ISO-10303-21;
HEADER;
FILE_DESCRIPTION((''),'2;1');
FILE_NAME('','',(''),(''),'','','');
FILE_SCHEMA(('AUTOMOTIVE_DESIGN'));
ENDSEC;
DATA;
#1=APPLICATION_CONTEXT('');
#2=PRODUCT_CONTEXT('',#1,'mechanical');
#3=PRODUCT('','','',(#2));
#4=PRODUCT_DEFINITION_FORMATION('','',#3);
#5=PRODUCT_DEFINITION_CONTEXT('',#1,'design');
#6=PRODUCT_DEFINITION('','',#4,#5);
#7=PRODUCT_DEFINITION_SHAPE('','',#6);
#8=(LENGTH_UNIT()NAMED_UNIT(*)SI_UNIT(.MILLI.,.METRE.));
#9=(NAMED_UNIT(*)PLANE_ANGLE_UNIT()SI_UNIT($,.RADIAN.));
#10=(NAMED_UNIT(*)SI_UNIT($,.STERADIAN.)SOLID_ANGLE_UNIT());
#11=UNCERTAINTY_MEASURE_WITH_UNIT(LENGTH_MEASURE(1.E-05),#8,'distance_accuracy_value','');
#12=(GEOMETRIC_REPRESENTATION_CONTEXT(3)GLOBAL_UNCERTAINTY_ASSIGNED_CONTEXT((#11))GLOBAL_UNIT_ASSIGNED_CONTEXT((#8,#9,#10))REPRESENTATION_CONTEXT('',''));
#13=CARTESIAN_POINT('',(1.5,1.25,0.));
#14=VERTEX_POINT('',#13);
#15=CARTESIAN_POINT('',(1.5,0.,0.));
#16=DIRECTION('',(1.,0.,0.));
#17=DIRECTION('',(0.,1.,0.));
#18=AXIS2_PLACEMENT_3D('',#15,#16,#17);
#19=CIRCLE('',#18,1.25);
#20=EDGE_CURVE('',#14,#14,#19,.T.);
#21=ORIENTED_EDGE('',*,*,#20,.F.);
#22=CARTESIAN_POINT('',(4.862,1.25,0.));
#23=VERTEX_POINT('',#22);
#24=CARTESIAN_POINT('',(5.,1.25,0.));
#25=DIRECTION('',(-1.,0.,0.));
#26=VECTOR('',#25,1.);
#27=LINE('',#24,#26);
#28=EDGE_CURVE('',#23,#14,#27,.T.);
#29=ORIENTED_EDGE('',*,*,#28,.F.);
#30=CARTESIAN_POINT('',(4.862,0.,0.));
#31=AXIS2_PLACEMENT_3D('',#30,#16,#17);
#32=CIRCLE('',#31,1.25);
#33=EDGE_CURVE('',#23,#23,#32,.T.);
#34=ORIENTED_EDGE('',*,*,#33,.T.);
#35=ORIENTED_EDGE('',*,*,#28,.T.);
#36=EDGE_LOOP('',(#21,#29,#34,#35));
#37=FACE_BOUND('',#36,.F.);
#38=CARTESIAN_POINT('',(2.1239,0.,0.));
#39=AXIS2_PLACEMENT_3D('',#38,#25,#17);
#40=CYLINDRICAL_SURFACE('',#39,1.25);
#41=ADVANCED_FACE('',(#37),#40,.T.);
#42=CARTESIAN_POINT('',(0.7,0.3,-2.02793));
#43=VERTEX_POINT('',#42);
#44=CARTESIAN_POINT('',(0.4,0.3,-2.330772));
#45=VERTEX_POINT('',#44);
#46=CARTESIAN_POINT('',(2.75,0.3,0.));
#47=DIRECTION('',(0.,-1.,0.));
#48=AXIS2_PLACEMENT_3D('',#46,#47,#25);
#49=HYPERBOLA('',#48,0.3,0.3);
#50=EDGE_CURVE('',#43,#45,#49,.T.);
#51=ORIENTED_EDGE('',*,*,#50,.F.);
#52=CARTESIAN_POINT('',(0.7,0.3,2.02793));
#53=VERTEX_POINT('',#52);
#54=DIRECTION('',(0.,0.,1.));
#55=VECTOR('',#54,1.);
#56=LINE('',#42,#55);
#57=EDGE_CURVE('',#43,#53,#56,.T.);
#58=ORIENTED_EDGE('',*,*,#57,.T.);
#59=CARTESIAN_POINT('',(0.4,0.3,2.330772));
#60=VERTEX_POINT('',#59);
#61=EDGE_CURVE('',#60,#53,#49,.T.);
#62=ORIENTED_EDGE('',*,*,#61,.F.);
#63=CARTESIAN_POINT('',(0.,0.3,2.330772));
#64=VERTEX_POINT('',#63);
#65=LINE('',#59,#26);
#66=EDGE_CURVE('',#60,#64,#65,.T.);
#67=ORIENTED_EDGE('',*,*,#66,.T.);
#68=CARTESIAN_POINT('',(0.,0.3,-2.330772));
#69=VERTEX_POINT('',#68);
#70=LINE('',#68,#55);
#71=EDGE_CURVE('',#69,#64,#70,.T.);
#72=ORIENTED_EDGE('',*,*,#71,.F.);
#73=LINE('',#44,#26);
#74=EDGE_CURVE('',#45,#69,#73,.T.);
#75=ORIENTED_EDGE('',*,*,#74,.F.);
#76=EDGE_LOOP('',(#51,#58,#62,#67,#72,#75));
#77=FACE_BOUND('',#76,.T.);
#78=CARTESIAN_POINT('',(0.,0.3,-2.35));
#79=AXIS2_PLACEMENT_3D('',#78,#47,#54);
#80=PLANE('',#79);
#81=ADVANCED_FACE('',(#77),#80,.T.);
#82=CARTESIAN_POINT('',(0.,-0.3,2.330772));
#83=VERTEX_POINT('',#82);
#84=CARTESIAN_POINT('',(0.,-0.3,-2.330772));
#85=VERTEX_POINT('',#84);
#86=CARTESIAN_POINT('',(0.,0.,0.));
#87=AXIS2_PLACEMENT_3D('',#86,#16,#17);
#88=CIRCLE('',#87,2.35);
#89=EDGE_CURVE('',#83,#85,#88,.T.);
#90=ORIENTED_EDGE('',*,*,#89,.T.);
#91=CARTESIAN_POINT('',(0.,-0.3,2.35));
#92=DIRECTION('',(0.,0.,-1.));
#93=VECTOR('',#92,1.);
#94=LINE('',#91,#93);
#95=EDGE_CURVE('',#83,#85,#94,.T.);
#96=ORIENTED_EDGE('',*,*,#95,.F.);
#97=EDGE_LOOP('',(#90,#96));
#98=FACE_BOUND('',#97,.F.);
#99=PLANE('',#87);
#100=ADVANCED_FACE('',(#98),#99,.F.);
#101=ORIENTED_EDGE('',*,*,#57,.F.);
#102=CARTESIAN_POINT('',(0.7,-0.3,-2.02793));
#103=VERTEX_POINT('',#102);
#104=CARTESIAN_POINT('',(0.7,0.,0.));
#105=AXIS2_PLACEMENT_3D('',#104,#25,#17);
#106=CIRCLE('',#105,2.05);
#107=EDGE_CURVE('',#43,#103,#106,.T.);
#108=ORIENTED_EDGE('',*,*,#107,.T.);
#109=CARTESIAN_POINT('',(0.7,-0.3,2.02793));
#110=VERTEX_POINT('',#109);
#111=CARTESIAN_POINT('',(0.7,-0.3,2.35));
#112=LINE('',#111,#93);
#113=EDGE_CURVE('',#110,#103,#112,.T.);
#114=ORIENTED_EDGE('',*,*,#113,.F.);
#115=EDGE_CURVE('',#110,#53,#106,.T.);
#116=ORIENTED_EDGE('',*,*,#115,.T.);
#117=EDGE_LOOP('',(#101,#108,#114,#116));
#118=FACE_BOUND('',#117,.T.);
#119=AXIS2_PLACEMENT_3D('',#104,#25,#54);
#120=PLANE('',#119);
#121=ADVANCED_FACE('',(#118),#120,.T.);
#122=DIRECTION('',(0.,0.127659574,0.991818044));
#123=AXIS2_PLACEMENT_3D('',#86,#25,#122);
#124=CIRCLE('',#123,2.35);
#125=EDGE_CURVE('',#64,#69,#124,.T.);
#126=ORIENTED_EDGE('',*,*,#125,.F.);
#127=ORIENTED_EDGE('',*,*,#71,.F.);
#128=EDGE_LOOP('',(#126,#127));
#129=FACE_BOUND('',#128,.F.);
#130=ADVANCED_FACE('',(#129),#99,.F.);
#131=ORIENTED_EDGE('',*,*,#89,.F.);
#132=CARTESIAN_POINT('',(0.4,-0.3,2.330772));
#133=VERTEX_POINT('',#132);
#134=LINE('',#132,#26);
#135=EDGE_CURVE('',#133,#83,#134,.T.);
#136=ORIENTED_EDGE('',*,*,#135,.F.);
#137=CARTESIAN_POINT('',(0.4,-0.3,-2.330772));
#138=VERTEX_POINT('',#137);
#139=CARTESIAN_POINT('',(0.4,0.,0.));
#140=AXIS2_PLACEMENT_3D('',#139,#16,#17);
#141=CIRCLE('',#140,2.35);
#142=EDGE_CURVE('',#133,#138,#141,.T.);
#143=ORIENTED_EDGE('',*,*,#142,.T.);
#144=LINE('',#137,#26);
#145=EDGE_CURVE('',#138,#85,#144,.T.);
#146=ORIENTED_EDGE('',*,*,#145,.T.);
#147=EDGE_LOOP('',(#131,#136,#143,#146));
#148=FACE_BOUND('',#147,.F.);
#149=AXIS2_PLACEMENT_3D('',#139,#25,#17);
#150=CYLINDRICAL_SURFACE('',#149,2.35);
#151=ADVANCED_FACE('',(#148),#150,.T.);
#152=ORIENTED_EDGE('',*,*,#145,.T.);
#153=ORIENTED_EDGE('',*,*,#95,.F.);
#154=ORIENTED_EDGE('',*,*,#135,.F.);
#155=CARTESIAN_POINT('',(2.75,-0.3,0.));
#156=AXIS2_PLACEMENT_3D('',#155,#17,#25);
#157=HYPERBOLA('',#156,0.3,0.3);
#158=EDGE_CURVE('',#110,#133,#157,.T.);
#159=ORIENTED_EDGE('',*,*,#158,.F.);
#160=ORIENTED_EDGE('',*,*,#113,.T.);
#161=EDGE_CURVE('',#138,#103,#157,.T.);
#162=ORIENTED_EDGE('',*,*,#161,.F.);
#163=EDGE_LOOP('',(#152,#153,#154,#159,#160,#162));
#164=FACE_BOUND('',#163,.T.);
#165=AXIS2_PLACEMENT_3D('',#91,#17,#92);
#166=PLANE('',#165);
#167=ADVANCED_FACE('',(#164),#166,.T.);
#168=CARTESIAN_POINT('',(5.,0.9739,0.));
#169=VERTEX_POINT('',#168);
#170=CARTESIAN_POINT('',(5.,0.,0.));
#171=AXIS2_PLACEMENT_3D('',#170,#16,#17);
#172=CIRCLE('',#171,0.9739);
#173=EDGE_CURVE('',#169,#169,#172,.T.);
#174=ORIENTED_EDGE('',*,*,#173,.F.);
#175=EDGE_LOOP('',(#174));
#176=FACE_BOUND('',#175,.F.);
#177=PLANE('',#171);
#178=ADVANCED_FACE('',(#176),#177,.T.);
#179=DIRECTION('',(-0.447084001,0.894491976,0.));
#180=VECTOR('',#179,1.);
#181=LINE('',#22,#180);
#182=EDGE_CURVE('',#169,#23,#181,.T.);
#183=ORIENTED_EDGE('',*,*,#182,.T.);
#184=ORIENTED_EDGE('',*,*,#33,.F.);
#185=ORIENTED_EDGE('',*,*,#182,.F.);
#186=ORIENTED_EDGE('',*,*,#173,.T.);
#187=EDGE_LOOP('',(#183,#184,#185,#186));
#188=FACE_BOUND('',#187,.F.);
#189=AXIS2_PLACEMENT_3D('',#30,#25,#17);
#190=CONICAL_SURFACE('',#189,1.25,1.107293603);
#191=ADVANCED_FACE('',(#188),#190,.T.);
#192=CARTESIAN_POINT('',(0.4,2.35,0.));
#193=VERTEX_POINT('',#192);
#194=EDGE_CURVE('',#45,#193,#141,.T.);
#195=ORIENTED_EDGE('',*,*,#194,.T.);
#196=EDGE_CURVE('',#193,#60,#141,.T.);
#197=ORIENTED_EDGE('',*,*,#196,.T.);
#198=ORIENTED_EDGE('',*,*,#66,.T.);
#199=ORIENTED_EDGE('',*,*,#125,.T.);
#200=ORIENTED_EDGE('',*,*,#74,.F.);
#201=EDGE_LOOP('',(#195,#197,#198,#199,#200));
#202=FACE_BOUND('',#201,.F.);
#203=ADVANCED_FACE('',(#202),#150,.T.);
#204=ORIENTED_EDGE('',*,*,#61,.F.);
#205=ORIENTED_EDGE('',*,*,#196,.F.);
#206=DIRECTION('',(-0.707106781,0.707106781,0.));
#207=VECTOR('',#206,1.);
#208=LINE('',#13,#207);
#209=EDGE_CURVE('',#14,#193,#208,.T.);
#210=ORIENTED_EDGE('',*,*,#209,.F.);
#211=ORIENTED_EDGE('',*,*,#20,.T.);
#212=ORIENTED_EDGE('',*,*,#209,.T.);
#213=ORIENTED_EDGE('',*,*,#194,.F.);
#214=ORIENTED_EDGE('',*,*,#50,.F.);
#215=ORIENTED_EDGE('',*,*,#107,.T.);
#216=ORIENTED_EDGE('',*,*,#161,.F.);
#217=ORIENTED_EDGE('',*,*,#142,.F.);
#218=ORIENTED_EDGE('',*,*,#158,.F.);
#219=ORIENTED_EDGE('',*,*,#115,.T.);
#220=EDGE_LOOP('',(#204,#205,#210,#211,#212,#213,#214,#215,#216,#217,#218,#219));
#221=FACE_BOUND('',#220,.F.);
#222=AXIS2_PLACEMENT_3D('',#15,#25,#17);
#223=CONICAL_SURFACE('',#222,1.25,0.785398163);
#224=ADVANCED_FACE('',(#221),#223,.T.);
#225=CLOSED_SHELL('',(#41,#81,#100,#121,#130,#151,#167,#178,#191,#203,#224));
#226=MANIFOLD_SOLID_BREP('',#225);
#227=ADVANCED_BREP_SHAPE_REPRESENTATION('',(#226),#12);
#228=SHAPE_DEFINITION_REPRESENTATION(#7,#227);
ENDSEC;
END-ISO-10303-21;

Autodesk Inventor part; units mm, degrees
ref_plane "YZ Plane" through (0, 0, 0) normal (1, 0, 0) x (0, 1, 0)
ref_plane "XZ Plane" through (0, 0, 0) normal (0, 1, 0) x (-1, 0, 0)
sketch "Skizze1" plane through (0, 0, 0) normal (0, 0, 1) x (1, 0, 0)
  line L0 (0, 0) -> (5, 0)
  line L1 (5, 0) -> (5, 1.25)
  line L2 (5, 1.25) -> (2.4, 1.25)
  line L3 (2.4, 1.25) -> (2.1239, 1.25)
  line L4 (2.1239, 1.25) -> (1.5, 1.25)
  line L5 (1.5, 1.25) -> (0.4, 2.35)
  line L6 (0.4, 2.35) -> (0, 2.35)
  line L7 (0, 2.35) -> (0, 0)
  line L8 (2.4, 1.25) -> (1.5, 1.25) construction
  line L9 (-1, 0) -> (6, 0) projected
  line L10 (0, 2.82) -> (0, -0.47) projected
  dimension "d0" = 5
  dimension "d1" = 45
  dimension "d2" = 0.2761
  dimension "d3" = 2.6
  dimension "d4" = 1.5
  dimension "d5" = 2.5
  dimension "d6" = 2.5
  dimension "d7" = 4.7
revolve "Körper" add sketch "Skizze1" angle 360 about axis through (0, 0, 0) along (1, 0, 0)
sketch "Skizze2" plane through (0, 0, 0) normal (-1, 0, 0) x (0, 0, 1)
  line L0 (2.35, -0.3) -> (-2.35, -0.3)
  line L1 (-2.35, -0.3) -> (-2.35, 0.3)
  line L2 (-2.35, 0.3) -> (2.35, 0.3)
  line L3 (2.35, 0.3) -> (2.35, -0.3)
  line L4 (0, 0.3) -> (0, -0.3) construction
  line L5 (-2.35, 0) -> (2.35, 0) construction
  line L6 (0, 2.35) -> (0, 0) projected
  dimension "d15" = 0.6
  dimension "d16" = 4.7
extrude "Loch" cut sketch "Skizze2" against normal blind 0.7
thread "Gewinde" size "M2.5x0.45" class "6g" standard "ISO Metric profile" length 2.6
chamfer "Fase1" distance 0.2761 distance2 0.138 1 edges at (5, -1.25, 0) measured on face at (5, -0.3689, 0.4922)
ref_plane "Work Plane1" through (33.575, 0, 0) normal (0, 0, -1) x (1, 0, 0)
equation "\"d0\" = NLG"
equation "\"d1\" = 0.5 * SEWI"
equation "\"d2\" = GAL"
equation "\"d3\" = GEL"
equation "\"d4\" = KOH"
equation "\"d5\" = BDM"
equation "\"d6\" = GD"
equation "\"d7\" = KOD"
equation "\"d15\" = SBR"
equation "\"d16\" = KOD"
equation "\"d8\" = STI"
equation "\"d10\" = GEL"
equation "\"d12\" = -0.5 * SPD + 0.5 * GD"
equation "\"d13\" = 0.5 * GAL"
equation "\"NLG\" = 5"
equation "\"GAL\" = 0.61345 * PTC"
equation "\"GEL\" = 2.6"
equation "\"KOH\" = 1.5"
equation "\"KOD\" = 4.7"
equation "\"SEWI\" = 90deg"
equation "\"BDM\" = NND"
equation "\"GD\" = NND"
equation "\"SBR\" = 0.6"
equation "\"STI\" = 0.7"
equation "\"SPD\" = NND - 1.2269 * PTC"
equation "\"GUL\" = 0.61345 * PTC"
equation "\"PTC\" = 0.45"
equation "\"EPV\" = 2.75"
equation "\"THREADDIA\" = 2.5"
equation "\"TOA\" = 30deg"
equation "\"NND\" = 2.5"
equation "\"GD1\" = THREADDIA - 1.2269 * PTC"
properties part number "DIN 963 - M2,5 x 5" material "Edelstahl"
